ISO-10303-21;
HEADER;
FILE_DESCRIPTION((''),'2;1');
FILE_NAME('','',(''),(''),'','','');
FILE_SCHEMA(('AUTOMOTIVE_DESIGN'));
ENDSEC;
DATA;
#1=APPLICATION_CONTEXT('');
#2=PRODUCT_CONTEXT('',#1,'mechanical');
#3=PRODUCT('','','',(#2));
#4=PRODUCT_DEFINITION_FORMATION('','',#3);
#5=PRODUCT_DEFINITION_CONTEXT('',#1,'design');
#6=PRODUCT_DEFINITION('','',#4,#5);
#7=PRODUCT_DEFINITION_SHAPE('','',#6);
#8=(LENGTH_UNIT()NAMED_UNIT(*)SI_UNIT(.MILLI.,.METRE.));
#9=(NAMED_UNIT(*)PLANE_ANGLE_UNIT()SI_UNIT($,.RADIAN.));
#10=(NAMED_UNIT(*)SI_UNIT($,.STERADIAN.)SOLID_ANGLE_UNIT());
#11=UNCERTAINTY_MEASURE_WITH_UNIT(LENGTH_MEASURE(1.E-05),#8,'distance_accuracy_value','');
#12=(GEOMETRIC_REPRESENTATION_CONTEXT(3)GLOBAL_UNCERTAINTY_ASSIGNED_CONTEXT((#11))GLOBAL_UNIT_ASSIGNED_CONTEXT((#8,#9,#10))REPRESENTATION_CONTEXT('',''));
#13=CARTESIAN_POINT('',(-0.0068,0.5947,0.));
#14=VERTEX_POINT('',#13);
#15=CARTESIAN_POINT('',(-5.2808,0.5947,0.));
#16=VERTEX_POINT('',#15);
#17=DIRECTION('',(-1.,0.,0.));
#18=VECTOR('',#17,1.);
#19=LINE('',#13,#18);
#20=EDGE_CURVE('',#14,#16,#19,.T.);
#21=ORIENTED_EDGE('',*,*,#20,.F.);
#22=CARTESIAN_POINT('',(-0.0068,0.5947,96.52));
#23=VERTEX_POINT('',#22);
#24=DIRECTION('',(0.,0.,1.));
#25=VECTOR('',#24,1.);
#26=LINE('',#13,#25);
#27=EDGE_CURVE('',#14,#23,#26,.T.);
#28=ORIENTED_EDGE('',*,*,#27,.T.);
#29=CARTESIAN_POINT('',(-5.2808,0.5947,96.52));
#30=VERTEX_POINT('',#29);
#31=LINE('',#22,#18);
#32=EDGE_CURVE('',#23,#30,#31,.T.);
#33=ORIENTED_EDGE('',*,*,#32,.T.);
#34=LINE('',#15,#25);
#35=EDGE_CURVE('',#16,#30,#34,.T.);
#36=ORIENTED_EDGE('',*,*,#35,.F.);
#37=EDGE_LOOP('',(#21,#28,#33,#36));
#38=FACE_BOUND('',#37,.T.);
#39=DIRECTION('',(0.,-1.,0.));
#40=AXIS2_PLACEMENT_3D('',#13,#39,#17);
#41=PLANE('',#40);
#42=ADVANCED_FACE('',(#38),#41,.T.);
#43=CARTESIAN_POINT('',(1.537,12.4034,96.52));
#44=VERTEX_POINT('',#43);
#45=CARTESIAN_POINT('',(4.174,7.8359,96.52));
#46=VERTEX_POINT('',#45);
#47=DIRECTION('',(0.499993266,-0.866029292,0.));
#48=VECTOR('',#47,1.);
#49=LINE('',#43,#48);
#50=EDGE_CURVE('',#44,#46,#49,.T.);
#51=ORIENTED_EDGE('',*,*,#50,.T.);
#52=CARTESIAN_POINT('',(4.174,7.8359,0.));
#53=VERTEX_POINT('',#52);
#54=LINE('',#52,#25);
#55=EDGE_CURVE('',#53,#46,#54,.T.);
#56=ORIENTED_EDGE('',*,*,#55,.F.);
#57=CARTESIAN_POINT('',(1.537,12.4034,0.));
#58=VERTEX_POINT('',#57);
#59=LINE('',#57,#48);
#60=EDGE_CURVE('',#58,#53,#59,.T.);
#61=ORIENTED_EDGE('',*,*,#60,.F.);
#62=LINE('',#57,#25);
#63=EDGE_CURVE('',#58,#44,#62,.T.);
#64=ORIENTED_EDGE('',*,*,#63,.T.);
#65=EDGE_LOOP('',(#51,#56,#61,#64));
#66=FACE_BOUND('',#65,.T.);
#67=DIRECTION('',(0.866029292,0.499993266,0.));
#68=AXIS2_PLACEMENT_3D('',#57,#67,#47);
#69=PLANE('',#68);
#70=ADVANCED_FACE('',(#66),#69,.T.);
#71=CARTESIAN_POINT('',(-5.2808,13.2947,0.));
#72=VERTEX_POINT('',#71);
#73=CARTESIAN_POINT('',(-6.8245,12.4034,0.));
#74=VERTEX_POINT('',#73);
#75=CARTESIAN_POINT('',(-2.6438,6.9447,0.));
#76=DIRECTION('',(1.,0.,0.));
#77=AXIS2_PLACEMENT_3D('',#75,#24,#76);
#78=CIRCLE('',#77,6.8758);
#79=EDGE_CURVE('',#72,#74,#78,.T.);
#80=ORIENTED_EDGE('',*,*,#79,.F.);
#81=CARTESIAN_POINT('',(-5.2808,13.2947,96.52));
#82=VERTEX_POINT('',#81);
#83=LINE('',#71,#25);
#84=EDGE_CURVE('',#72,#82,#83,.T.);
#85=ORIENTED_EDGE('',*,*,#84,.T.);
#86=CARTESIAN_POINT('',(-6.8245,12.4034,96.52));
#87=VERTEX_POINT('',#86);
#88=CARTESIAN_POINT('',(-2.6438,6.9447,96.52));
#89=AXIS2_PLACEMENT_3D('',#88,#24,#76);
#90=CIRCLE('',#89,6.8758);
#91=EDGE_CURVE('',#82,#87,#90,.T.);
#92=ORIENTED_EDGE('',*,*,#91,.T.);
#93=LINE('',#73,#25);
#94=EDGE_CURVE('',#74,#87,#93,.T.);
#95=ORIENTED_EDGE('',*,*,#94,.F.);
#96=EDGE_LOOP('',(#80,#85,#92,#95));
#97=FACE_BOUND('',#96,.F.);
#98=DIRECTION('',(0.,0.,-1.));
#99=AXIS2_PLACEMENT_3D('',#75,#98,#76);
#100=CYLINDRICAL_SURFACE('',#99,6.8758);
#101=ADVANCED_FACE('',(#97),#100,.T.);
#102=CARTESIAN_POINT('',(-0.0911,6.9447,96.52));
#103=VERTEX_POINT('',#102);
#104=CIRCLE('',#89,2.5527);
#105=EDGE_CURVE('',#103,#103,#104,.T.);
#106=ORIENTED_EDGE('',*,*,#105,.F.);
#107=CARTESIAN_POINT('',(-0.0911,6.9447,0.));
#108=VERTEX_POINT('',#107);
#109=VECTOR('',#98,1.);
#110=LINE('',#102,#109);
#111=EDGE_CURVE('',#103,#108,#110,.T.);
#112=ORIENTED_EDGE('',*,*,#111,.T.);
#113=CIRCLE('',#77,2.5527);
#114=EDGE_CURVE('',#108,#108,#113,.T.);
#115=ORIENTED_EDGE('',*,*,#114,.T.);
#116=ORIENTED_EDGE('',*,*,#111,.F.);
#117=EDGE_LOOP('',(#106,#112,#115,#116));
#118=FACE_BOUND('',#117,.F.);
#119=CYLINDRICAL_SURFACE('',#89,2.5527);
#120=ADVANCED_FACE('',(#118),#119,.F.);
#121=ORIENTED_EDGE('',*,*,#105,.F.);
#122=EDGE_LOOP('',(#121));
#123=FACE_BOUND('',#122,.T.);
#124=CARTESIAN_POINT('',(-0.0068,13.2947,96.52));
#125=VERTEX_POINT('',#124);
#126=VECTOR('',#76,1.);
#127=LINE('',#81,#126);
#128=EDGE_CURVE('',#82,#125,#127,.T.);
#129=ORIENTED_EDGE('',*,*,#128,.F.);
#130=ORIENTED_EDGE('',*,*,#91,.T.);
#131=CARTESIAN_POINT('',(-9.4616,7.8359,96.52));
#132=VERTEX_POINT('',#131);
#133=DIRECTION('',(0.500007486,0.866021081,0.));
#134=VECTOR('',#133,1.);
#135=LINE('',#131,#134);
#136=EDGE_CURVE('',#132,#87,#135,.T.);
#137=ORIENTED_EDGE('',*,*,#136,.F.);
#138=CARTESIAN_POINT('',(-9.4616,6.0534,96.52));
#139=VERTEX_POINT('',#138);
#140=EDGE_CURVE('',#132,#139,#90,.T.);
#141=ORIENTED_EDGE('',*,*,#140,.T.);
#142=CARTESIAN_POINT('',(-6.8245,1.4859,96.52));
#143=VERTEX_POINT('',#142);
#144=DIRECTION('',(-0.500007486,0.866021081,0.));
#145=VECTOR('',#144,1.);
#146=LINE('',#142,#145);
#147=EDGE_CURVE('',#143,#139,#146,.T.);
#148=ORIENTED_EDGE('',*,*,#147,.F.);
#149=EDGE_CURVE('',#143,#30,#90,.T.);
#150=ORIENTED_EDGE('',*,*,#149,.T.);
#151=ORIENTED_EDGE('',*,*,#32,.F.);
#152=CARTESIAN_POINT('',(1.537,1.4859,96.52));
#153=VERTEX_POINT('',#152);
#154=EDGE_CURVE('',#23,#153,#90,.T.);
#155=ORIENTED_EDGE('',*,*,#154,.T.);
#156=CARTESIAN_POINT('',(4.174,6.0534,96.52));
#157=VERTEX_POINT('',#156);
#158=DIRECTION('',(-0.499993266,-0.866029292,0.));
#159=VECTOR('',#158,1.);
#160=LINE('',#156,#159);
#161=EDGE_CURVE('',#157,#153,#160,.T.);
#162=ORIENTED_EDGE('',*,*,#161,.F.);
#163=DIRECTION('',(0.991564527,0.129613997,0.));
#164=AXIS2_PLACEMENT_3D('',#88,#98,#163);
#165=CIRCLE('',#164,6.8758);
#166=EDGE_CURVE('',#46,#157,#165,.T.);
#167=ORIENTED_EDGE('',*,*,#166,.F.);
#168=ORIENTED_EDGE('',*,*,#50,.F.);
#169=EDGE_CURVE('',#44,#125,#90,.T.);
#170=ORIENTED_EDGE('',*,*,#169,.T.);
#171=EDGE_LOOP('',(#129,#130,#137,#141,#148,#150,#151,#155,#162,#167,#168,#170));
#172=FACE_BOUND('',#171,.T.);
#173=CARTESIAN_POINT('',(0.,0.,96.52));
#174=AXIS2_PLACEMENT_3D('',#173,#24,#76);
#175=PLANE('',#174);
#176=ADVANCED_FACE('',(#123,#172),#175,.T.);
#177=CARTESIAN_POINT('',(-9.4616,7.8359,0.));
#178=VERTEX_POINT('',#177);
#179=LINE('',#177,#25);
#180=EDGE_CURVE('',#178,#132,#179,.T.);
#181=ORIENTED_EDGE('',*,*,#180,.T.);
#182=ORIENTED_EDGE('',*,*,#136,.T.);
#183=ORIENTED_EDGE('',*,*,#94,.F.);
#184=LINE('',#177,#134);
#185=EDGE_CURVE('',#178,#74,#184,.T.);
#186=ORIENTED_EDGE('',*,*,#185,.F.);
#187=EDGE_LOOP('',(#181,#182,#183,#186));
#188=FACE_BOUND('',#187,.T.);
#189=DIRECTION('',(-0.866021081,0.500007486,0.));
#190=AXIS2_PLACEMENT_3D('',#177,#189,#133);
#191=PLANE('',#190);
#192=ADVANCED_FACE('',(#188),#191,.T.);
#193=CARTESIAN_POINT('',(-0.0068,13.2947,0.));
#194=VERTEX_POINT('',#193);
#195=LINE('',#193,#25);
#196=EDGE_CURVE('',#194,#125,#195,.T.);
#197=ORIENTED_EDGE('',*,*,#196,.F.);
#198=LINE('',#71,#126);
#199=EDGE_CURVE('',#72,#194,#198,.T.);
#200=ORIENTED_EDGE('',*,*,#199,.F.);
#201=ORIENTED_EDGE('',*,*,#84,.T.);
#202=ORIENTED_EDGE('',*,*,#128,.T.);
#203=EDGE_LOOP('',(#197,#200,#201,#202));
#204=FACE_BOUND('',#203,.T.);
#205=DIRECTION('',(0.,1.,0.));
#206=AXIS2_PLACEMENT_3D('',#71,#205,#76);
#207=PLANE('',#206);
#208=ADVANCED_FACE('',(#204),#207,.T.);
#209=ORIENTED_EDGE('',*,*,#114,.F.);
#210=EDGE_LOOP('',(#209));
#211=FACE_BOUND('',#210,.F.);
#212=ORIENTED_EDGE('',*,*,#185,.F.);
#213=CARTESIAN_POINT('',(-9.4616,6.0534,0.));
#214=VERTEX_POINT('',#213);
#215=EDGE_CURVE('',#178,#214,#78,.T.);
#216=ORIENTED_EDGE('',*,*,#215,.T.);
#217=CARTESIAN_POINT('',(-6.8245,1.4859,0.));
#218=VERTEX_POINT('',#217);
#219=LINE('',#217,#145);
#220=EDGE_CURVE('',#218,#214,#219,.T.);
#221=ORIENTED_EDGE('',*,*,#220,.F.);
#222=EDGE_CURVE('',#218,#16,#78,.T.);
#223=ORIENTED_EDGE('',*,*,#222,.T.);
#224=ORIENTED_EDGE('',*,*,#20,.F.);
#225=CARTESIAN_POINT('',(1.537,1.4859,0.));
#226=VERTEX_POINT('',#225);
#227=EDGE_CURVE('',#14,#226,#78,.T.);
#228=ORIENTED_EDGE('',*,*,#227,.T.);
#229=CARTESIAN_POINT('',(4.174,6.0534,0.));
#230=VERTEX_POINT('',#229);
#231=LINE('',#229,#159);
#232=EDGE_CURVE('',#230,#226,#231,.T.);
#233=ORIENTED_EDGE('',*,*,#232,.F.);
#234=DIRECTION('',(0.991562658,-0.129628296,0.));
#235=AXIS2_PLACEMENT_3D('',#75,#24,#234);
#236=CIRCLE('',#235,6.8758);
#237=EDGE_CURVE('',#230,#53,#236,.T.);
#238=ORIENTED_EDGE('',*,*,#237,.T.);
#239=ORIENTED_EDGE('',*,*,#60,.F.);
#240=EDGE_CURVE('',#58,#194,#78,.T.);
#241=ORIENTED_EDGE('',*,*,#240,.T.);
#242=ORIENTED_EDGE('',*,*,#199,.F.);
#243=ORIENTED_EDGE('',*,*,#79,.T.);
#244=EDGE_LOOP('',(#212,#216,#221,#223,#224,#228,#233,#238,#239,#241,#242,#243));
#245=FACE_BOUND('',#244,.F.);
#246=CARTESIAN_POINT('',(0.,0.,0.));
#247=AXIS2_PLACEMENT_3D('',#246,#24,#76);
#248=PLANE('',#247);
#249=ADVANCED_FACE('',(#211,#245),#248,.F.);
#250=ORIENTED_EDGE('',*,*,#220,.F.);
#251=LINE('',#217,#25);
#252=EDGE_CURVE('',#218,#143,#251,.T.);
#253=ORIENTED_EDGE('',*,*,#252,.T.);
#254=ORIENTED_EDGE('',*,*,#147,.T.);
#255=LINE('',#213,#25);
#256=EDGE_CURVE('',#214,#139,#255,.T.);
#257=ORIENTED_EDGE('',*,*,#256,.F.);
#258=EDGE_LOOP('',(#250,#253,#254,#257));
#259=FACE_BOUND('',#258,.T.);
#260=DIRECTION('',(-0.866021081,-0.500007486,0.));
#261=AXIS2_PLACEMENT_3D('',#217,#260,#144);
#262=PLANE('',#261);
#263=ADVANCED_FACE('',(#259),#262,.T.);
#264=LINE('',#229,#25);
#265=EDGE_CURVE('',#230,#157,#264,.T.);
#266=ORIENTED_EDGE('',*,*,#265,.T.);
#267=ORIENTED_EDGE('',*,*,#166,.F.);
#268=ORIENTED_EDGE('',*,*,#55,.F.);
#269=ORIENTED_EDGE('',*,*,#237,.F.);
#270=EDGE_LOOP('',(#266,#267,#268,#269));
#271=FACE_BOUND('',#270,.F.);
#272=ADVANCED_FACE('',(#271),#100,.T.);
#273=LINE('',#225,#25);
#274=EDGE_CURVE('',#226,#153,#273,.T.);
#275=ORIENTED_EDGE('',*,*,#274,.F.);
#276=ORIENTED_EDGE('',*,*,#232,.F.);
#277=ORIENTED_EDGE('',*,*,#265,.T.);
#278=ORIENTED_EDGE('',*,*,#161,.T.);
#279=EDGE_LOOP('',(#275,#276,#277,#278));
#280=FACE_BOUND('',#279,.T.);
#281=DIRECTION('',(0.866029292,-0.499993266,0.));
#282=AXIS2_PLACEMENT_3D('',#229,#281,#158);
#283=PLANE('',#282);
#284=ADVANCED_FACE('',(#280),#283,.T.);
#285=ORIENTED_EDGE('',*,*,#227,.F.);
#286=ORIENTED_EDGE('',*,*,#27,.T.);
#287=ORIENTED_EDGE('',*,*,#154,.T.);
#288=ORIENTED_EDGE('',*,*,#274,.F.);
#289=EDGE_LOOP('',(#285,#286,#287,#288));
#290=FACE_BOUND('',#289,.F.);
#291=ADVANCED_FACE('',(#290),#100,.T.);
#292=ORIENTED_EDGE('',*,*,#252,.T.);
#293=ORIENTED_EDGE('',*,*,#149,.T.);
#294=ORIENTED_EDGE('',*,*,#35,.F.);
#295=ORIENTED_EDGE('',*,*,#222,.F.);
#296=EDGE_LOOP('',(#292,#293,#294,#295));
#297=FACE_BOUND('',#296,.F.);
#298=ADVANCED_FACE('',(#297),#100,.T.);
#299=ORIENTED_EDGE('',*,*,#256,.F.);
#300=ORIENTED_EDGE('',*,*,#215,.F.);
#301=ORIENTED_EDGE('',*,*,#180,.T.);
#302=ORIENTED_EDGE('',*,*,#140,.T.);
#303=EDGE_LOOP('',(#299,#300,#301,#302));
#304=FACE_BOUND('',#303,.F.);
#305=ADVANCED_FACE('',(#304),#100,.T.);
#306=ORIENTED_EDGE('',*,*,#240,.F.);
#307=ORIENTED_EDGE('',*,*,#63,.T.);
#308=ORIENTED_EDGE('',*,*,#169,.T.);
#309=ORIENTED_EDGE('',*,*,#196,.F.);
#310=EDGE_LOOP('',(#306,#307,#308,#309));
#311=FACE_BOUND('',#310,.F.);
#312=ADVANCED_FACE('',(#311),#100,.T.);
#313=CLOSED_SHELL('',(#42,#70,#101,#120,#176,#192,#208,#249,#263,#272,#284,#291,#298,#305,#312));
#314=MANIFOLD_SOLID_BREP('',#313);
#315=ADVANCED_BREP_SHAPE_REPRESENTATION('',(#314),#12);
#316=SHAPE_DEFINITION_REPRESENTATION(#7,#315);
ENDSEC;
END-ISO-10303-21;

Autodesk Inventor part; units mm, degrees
ref_plane "YZ Plane" through (0, 0, 0) normal (1, 0, 0) x (0, 1, 0)
ref_plane "XZ Plane" through (0, 0, 0) normal (0, 1, 0) x (-1, 0, 0)
ref_plane "XY Plane" through (0, 0, 0) normal (0, 0, 1) x (1, 0, 0)
sketch "Sketch1" plane through (0, 0, 0) normal (0, 0, 1) x (1, 0, 0)
  circle A0 centre (-2.6438, 6.9447) radius 6.8758
  line L0 (-9.4616, 7.8359) -> (-6.8245, 12.4034)
  line L1 (-6.8245, 1.4859) -> (-9.4616, 6.0534)
  line L2 (-0.0068, 0.5947) -> (-5.2808, 0.5947)
  line L3 (4.174, 6.0534) -> (1.537, 1.4859)
  line L4 (1.537, 12.4034) -> (4.174, 7.8359)
  line L5 (-5.2808, 13.2947) -> (-0.0068, 13.2947)
  point P0 (0, 0)
  point P1 (1.537, 1.4859)
  dimension "d0" = 13.7516
  dimension "d4" = 360
extrude "Extrusion1" add sketch "Sketch1" along normal blind 96.52 contours A0 L3 L2 L1 L0 L5 L4
sketch "Sketch2" plane through (0, 0, 96.52) normal (0, 0, 1) x (1, 0, 0)
  circle A0 centre (-2.6438, 6.9447) radius 2.5527
  line L0 (-5.2808, 0.5947) -> (-0.0068, 0.5947) projected
  line L1 (-2.6438, 6.9447) -> (-5.2808, 0.5947) construction
  line L2 (-2.6438, 6.9447) -> (-0.0068, 0.5947) construction
  point P0 (0, 0)
  dimension "d8" = 5.1054
  dimension "d9" = 6.35
extrude "Extrusion2" cut sketch "Sketch2" against normal blind 96.52
equation "\"d6\" = d5"
equation "\"d10\" = d5"
equation "\"d5\" = 96.52"
properties part number "ThunderHex ( transfer shaft)"
